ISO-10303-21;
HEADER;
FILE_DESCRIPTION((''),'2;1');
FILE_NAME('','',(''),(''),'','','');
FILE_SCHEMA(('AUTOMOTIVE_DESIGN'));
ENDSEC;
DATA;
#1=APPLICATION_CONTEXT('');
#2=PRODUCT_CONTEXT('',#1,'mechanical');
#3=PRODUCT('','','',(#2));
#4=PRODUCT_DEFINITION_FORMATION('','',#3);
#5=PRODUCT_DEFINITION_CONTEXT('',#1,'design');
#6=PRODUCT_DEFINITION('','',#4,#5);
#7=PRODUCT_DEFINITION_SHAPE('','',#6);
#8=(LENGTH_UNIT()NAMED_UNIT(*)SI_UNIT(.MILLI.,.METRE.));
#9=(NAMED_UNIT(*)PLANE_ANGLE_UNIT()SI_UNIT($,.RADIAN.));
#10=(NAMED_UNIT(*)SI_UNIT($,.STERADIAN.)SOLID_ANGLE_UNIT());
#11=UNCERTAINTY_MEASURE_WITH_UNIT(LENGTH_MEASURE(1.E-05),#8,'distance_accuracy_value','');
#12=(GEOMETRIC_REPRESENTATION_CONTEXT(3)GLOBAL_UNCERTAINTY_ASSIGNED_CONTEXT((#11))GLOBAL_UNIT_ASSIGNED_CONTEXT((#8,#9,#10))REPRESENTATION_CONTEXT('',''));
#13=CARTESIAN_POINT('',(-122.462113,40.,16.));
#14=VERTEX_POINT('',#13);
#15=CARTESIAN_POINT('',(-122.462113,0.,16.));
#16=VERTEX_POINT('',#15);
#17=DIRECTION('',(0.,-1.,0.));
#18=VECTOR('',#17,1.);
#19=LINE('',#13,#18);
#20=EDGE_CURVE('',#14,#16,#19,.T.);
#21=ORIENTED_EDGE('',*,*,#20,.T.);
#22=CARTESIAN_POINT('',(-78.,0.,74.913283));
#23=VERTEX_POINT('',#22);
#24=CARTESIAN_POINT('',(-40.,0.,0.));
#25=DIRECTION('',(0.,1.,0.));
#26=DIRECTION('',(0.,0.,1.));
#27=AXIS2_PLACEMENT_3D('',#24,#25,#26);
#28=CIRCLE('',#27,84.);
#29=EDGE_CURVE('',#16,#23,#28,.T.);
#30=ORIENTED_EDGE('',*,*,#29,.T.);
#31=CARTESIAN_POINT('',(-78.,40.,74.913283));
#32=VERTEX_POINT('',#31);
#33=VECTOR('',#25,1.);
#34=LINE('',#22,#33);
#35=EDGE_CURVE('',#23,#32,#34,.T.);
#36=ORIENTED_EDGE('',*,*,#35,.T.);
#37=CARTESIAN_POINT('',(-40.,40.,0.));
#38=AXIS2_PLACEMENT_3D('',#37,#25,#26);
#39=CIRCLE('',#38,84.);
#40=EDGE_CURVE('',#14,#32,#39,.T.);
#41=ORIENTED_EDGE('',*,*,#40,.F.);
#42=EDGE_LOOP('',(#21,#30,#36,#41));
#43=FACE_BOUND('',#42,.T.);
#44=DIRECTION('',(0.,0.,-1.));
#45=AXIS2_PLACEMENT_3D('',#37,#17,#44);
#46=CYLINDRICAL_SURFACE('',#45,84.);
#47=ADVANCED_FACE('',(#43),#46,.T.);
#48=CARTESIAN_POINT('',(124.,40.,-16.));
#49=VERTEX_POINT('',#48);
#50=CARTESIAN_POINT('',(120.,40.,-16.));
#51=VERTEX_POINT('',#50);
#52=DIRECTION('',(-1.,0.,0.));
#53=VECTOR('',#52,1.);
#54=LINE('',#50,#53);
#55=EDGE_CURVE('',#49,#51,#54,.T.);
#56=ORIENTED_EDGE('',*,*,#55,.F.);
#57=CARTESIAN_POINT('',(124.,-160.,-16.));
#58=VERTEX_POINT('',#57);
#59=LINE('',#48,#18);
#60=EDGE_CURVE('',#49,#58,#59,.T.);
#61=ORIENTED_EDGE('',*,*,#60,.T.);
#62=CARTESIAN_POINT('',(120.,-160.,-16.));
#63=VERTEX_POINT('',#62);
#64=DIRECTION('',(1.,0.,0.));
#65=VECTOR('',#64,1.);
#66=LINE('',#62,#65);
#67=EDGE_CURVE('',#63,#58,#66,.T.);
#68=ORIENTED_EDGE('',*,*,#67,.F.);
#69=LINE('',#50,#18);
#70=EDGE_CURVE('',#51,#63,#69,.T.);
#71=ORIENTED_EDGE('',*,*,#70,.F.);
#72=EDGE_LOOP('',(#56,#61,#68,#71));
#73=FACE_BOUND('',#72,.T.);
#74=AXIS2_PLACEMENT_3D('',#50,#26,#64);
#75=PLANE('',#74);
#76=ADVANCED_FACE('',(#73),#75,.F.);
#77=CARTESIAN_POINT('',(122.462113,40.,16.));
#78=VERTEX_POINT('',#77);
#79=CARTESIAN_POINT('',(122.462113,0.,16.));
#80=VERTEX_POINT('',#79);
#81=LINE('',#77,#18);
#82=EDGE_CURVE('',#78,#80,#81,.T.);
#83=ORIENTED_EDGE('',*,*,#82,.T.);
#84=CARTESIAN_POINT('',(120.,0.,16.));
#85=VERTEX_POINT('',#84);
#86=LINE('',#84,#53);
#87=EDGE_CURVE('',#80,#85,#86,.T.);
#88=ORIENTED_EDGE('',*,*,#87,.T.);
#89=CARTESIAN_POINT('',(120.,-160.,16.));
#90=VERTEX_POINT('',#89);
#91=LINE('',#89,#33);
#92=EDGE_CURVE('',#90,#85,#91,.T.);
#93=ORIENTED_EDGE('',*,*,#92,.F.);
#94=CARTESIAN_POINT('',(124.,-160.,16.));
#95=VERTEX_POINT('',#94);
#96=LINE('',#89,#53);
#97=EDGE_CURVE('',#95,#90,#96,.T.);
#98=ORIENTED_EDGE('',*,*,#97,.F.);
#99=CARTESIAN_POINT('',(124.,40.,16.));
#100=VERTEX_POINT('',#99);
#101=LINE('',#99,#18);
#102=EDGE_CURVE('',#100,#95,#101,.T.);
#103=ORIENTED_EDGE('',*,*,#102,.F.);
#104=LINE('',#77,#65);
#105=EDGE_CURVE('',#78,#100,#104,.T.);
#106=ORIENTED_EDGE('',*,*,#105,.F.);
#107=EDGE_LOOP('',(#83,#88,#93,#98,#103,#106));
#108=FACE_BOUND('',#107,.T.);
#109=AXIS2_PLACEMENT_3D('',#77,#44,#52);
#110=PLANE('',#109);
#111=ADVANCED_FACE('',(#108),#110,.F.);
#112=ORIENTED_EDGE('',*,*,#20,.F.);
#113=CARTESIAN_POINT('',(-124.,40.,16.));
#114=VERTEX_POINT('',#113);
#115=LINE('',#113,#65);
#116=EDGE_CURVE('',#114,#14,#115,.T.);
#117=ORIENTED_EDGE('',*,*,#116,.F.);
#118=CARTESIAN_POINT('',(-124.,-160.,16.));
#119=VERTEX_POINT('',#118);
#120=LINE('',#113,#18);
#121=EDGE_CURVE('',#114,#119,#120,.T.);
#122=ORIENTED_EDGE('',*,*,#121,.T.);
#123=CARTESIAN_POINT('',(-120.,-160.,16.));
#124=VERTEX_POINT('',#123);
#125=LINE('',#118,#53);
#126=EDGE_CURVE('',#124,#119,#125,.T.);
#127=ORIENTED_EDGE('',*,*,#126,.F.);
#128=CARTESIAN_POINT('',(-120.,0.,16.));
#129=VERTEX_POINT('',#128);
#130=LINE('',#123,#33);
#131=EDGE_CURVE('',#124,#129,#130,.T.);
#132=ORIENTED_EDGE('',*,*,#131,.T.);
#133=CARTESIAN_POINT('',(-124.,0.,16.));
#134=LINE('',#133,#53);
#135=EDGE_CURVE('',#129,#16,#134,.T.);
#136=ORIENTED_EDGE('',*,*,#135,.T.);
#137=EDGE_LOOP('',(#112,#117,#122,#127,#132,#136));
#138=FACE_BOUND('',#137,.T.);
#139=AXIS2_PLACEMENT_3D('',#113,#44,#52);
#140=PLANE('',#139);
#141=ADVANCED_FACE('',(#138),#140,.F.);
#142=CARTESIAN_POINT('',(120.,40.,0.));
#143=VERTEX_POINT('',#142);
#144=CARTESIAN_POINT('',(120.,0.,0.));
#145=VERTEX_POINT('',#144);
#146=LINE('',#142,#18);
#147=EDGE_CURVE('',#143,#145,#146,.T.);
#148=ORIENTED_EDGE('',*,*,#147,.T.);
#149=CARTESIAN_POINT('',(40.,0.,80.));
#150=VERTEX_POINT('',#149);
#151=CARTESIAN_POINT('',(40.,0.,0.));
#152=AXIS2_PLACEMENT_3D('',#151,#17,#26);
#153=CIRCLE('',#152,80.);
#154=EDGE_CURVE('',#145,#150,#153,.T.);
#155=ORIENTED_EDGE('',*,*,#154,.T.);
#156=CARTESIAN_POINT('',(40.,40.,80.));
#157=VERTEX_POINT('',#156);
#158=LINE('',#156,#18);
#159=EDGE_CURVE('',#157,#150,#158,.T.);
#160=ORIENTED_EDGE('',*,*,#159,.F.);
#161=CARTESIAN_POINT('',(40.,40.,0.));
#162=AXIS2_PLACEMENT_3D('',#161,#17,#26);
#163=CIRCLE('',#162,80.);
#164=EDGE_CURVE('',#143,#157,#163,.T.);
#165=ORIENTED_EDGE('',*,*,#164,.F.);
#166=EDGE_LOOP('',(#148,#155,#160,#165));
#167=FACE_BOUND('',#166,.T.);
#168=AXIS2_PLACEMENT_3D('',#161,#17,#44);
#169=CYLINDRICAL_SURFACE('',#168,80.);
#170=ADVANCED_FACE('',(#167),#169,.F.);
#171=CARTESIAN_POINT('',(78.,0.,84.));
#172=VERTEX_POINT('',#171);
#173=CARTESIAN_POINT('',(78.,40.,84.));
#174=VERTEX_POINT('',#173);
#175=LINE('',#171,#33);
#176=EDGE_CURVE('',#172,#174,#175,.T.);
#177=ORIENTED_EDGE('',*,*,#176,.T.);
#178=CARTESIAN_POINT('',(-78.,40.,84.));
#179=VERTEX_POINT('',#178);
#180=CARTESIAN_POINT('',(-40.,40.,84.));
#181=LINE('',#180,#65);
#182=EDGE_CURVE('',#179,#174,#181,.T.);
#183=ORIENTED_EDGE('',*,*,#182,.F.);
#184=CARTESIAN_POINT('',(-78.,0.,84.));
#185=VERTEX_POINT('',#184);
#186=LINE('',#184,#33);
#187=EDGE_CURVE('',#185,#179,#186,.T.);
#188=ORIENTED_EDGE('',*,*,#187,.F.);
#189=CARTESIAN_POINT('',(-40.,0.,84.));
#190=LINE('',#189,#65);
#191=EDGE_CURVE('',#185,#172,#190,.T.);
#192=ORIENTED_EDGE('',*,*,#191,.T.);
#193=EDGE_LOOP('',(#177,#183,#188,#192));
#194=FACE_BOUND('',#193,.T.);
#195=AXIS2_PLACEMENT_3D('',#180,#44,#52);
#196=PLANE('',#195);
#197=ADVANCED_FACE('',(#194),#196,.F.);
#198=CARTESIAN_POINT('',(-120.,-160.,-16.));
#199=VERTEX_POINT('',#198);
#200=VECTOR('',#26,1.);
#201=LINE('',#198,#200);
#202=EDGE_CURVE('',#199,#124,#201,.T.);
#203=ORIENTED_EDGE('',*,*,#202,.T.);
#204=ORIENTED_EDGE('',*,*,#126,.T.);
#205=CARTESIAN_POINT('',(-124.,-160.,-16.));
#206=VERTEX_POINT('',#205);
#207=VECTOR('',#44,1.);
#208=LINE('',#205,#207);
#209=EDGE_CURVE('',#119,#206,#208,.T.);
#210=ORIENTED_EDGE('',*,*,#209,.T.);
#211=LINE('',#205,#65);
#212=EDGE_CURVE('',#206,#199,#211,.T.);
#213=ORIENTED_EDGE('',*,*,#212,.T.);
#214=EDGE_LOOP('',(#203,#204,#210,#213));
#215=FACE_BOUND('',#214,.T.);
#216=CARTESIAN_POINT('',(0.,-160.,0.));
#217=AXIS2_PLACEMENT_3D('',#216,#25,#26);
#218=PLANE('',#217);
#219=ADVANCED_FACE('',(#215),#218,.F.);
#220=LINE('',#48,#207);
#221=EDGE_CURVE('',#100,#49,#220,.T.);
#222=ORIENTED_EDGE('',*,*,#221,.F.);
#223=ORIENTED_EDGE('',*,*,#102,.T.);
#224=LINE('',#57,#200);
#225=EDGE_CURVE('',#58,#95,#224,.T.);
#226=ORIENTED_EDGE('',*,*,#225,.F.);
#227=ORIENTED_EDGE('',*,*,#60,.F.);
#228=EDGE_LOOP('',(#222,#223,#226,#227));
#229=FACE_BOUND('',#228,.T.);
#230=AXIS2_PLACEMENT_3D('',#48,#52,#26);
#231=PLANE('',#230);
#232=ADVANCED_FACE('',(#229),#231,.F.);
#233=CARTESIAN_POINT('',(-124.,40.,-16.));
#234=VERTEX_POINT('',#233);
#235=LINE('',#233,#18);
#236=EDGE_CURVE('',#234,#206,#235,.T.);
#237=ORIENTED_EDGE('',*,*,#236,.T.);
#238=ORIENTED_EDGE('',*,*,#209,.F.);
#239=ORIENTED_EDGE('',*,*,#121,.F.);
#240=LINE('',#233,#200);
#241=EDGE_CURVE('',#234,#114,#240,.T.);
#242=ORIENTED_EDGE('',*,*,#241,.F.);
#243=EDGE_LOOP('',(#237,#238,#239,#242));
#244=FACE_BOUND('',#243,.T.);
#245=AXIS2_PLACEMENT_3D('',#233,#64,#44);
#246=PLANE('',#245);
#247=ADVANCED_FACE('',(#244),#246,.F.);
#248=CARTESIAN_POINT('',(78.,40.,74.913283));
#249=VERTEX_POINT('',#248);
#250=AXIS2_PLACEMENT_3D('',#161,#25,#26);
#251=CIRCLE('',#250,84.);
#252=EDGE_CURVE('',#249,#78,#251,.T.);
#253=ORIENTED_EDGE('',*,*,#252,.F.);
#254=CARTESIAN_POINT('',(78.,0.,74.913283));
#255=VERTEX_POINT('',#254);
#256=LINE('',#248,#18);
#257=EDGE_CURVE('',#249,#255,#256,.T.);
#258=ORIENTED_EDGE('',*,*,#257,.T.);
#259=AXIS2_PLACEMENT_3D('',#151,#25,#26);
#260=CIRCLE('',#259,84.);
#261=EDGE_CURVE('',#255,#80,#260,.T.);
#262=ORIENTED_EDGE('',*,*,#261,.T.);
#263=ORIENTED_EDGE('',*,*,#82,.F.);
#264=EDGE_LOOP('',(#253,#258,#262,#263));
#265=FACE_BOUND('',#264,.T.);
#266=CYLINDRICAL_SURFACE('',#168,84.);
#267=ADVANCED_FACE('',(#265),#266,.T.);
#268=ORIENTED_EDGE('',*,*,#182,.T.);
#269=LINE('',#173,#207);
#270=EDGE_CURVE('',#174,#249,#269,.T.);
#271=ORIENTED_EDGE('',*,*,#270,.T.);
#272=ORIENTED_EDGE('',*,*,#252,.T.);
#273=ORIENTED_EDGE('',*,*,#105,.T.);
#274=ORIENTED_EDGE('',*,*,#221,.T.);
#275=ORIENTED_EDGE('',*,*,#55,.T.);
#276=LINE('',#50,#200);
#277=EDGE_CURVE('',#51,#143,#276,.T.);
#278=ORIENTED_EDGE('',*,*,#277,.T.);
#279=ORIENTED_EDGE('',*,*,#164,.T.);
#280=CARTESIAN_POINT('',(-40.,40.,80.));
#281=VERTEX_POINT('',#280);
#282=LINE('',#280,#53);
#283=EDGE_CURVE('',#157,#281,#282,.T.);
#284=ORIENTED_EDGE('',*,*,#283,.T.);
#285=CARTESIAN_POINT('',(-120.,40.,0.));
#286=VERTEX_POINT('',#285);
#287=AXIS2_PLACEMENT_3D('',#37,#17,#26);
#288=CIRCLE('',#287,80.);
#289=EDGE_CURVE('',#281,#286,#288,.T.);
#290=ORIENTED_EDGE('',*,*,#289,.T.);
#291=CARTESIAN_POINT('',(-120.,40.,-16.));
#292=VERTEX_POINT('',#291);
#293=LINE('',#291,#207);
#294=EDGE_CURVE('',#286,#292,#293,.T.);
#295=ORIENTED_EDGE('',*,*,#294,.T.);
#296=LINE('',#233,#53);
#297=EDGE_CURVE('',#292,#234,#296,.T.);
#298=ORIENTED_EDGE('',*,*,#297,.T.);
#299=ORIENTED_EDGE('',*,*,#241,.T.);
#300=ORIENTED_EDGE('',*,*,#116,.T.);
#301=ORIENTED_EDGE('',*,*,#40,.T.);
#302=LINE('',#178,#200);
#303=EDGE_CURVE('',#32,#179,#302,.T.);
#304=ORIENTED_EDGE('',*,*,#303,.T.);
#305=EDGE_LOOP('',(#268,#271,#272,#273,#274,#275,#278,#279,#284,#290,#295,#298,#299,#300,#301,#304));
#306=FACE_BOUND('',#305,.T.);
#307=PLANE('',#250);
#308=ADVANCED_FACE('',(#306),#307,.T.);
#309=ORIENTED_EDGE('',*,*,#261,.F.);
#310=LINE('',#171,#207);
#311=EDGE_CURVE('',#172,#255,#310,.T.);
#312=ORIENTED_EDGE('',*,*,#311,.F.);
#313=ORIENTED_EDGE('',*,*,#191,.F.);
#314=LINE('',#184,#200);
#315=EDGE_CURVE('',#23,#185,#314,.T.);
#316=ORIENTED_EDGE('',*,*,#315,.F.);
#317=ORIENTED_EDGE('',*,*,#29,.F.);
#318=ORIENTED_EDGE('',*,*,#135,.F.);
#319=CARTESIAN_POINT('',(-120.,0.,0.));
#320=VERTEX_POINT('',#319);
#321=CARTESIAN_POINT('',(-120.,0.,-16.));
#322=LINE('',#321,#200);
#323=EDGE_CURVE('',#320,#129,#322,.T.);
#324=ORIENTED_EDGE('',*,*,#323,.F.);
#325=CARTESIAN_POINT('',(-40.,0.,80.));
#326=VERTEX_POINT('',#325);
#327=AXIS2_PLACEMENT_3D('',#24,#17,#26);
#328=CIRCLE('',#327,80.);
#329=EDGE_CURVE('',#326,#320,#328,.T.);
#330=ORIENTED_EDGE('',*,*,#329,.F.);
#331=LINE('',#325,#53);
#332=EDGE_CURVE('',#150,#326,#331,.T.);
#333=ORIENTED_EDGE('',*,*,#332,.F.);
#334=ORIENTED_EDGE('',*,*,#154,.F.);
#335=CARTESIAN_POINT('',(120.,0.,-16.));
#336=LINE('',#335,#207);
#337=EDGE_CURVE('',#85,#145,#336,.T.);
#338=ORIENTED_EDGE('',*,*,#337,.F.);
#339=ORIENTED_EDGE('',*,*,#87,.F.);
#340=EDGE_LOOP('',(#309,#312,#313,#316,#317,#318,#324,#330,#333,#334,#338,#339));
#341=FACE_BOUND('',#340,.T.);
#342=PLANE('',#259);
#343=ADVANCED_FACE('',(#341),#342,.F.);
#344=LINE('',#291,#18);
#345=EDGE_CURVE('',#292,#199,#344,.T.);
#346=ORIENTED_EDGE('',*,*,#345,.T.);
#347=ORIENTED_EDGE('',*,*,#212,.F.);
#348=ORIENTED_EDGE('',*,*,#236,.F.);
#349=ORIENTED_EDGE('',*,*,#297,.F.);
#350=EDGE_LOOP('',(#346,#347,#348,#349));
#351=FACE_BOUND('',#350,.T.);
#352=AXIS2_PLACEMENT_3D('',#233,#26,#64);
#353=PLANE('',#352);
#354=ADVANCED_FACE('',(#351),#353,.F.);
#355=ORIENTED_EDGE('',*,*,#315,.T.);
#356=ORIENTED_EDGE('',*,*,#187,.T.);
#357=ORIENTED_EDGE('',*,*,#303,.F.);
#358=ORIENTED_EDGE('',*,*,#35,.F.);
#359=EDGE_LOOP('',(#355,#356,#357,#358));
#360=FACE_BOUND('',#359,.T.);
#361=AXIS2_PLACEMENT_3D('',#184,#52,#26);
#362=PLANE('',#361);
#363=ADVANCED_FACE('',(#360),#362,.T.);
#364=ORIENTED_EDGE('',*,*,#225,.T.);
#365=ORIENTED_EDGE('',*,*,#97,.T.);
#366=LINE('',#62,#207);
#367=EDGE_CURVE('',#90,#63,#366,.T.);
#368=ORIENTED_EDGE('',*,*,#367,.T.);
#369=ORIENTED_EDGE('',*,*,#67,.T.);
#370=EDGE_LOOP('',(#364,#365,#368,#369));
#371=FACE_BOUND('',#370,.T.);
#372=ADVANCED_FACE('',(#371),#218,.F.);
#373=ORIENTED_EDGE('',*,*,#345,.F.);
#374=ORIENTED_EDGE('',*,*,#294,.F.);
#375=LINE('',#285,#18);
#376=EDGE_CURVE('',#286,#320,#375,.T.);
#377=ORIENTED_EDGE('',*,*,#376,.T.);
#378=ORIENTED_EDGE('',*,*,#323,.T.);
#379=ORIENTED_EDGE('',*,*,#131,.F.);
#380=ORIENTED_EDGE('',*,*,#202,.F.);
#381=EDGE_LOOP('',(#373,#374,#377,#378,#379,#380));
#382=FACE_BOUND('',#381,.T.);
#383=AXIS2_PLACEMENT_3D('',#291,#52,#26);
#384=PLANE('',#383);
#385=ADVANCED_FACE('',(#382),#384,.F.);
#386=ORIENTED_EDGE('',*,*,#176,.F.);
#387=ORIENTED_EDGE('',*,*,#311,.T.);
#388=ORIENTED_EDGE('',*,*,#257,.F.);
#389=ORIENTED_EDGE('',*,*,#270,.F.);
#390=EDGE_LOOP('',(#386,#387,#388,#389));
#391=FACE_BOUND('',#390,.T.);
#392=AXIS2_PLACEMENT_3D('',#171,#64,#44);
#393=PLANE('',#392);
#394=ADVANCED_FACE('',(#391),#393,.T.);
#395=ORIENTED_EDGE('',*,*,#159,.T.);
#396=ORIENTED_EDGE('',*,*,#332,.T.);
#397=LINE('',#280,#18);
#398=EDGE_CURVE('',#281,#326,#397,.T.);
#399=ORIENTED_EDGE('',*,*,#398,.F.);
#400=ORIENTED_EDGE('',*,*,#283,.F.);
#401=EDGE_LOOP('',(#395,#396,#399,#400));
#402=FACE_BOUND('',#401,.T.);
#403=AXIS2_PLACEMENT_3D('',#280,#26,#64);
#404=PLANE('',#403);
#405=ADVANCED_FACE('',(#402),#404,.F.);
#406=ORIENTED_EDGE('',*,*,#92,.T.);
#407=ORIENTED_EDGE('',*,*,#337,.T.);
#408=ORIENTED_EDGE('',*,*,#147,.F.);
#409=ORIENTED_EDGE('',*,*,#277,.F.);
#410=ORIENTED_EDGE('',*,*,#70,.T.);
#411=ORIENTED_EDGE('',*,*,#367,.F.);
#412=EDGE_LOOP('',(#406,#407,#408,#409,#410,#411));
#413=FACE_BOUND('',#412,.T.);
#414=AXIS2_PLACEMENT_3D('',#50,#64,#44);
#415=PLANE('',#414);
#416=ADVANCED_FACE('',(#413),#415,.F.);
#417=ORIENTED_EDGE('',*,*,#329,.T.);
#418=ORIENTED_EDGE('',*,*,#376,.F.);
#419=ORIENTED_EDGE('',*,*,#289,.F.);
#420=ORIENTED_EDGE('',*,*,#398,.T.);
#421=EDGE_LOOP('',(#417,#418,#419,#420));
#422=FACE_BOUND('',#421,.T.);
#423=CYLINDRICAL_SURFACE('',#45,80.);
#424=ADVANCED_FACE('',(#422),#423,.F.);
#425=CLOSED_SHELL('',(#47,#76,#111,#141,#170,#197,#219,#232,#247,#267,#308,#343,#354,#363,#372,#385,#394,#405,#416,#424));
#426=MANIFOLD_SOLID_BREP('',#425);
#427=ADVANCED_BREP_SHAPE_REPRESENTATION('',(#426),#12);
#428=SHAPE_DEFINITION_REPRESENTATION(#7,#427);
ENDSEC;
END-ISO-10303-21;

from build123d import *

# Parameters (mm, degrees)
EXTRUDE_1_DEPTH = 40
SKETCH_3_W      = 4
SKETCH_3_H      = 32
EXTRUDE_2_DEPTH = 160
EXTRUDE_3_DEPTH = 40


with BuildPart() as part:
    # 草图2 → 凸台-拉伸1 (new body)
    with BuildSketch(Plane(origin=(0, 0, 0), x_dir=(1, 0, 0), z_dir=(0, 1, 0))):
        with BuildLine():
            Line((-40, -80), (40, -80))
            ThreePointArc((40, -80), (96.568542495, -56.568542495), (120, 0))
            Line((120, 0), (120, 16))
            Line((120, 16), (124, 16))
            Line((124, 16), (124, -16))
            Line((124, -16), (122.462112512, -16))
            ThreePointArc((122.462112512, -16), (93.441556864, -64.807406984), (40, -84))
            Line((40, -84), (-40, -84))
            ThreePointArc((-40, -84), (-93.441556864, -64.807406984), (-122.462112512, -16))
            Line((-122.462112512, -16), (-124, -16))
            Line((-124, -16), (-124, 16))
            Line((-124, 16), (-120, 16))
            Line((-120, 16), (-120, 0))
            ThreePointArc((-120, 0), (-96.568542495, -56.568542495), (-40, -80))
        make_face()
    extrude(amount=EXTRUDE_1_DEPTH)

    # 草图3 → 凸台-拉伸2 (add)
    with BuildSketch(Plane.XZ):
        with Locations((-122, 0)):
            Rectangle(SKETCH_3_W, SKETCH_3_H)
        with Locations((122, 0)):
            Rectangle(SKETCH_3_W, SKETCH_3_H)
    extrude(amount=EXTRUDE_2_DEPTH)

    # 草图5 → 凸台-拉伸3 (add)
    with BuildSketch(Plane(origin=(0, 40, 0), x_dir=(1, 0, 0), z_dir=(0, 1, 0))):
        Polygon((-40, -84), (-78, -84), (-78, -74.913283201), (-55.5334574, -80.946187921), (52.897278528, -80.946187921), (78, -72.607731722), (78, -84), (40, -84), align=None)
    extrude(amount=-EXTRUDE_3_DEPTH)


solid = part.part
